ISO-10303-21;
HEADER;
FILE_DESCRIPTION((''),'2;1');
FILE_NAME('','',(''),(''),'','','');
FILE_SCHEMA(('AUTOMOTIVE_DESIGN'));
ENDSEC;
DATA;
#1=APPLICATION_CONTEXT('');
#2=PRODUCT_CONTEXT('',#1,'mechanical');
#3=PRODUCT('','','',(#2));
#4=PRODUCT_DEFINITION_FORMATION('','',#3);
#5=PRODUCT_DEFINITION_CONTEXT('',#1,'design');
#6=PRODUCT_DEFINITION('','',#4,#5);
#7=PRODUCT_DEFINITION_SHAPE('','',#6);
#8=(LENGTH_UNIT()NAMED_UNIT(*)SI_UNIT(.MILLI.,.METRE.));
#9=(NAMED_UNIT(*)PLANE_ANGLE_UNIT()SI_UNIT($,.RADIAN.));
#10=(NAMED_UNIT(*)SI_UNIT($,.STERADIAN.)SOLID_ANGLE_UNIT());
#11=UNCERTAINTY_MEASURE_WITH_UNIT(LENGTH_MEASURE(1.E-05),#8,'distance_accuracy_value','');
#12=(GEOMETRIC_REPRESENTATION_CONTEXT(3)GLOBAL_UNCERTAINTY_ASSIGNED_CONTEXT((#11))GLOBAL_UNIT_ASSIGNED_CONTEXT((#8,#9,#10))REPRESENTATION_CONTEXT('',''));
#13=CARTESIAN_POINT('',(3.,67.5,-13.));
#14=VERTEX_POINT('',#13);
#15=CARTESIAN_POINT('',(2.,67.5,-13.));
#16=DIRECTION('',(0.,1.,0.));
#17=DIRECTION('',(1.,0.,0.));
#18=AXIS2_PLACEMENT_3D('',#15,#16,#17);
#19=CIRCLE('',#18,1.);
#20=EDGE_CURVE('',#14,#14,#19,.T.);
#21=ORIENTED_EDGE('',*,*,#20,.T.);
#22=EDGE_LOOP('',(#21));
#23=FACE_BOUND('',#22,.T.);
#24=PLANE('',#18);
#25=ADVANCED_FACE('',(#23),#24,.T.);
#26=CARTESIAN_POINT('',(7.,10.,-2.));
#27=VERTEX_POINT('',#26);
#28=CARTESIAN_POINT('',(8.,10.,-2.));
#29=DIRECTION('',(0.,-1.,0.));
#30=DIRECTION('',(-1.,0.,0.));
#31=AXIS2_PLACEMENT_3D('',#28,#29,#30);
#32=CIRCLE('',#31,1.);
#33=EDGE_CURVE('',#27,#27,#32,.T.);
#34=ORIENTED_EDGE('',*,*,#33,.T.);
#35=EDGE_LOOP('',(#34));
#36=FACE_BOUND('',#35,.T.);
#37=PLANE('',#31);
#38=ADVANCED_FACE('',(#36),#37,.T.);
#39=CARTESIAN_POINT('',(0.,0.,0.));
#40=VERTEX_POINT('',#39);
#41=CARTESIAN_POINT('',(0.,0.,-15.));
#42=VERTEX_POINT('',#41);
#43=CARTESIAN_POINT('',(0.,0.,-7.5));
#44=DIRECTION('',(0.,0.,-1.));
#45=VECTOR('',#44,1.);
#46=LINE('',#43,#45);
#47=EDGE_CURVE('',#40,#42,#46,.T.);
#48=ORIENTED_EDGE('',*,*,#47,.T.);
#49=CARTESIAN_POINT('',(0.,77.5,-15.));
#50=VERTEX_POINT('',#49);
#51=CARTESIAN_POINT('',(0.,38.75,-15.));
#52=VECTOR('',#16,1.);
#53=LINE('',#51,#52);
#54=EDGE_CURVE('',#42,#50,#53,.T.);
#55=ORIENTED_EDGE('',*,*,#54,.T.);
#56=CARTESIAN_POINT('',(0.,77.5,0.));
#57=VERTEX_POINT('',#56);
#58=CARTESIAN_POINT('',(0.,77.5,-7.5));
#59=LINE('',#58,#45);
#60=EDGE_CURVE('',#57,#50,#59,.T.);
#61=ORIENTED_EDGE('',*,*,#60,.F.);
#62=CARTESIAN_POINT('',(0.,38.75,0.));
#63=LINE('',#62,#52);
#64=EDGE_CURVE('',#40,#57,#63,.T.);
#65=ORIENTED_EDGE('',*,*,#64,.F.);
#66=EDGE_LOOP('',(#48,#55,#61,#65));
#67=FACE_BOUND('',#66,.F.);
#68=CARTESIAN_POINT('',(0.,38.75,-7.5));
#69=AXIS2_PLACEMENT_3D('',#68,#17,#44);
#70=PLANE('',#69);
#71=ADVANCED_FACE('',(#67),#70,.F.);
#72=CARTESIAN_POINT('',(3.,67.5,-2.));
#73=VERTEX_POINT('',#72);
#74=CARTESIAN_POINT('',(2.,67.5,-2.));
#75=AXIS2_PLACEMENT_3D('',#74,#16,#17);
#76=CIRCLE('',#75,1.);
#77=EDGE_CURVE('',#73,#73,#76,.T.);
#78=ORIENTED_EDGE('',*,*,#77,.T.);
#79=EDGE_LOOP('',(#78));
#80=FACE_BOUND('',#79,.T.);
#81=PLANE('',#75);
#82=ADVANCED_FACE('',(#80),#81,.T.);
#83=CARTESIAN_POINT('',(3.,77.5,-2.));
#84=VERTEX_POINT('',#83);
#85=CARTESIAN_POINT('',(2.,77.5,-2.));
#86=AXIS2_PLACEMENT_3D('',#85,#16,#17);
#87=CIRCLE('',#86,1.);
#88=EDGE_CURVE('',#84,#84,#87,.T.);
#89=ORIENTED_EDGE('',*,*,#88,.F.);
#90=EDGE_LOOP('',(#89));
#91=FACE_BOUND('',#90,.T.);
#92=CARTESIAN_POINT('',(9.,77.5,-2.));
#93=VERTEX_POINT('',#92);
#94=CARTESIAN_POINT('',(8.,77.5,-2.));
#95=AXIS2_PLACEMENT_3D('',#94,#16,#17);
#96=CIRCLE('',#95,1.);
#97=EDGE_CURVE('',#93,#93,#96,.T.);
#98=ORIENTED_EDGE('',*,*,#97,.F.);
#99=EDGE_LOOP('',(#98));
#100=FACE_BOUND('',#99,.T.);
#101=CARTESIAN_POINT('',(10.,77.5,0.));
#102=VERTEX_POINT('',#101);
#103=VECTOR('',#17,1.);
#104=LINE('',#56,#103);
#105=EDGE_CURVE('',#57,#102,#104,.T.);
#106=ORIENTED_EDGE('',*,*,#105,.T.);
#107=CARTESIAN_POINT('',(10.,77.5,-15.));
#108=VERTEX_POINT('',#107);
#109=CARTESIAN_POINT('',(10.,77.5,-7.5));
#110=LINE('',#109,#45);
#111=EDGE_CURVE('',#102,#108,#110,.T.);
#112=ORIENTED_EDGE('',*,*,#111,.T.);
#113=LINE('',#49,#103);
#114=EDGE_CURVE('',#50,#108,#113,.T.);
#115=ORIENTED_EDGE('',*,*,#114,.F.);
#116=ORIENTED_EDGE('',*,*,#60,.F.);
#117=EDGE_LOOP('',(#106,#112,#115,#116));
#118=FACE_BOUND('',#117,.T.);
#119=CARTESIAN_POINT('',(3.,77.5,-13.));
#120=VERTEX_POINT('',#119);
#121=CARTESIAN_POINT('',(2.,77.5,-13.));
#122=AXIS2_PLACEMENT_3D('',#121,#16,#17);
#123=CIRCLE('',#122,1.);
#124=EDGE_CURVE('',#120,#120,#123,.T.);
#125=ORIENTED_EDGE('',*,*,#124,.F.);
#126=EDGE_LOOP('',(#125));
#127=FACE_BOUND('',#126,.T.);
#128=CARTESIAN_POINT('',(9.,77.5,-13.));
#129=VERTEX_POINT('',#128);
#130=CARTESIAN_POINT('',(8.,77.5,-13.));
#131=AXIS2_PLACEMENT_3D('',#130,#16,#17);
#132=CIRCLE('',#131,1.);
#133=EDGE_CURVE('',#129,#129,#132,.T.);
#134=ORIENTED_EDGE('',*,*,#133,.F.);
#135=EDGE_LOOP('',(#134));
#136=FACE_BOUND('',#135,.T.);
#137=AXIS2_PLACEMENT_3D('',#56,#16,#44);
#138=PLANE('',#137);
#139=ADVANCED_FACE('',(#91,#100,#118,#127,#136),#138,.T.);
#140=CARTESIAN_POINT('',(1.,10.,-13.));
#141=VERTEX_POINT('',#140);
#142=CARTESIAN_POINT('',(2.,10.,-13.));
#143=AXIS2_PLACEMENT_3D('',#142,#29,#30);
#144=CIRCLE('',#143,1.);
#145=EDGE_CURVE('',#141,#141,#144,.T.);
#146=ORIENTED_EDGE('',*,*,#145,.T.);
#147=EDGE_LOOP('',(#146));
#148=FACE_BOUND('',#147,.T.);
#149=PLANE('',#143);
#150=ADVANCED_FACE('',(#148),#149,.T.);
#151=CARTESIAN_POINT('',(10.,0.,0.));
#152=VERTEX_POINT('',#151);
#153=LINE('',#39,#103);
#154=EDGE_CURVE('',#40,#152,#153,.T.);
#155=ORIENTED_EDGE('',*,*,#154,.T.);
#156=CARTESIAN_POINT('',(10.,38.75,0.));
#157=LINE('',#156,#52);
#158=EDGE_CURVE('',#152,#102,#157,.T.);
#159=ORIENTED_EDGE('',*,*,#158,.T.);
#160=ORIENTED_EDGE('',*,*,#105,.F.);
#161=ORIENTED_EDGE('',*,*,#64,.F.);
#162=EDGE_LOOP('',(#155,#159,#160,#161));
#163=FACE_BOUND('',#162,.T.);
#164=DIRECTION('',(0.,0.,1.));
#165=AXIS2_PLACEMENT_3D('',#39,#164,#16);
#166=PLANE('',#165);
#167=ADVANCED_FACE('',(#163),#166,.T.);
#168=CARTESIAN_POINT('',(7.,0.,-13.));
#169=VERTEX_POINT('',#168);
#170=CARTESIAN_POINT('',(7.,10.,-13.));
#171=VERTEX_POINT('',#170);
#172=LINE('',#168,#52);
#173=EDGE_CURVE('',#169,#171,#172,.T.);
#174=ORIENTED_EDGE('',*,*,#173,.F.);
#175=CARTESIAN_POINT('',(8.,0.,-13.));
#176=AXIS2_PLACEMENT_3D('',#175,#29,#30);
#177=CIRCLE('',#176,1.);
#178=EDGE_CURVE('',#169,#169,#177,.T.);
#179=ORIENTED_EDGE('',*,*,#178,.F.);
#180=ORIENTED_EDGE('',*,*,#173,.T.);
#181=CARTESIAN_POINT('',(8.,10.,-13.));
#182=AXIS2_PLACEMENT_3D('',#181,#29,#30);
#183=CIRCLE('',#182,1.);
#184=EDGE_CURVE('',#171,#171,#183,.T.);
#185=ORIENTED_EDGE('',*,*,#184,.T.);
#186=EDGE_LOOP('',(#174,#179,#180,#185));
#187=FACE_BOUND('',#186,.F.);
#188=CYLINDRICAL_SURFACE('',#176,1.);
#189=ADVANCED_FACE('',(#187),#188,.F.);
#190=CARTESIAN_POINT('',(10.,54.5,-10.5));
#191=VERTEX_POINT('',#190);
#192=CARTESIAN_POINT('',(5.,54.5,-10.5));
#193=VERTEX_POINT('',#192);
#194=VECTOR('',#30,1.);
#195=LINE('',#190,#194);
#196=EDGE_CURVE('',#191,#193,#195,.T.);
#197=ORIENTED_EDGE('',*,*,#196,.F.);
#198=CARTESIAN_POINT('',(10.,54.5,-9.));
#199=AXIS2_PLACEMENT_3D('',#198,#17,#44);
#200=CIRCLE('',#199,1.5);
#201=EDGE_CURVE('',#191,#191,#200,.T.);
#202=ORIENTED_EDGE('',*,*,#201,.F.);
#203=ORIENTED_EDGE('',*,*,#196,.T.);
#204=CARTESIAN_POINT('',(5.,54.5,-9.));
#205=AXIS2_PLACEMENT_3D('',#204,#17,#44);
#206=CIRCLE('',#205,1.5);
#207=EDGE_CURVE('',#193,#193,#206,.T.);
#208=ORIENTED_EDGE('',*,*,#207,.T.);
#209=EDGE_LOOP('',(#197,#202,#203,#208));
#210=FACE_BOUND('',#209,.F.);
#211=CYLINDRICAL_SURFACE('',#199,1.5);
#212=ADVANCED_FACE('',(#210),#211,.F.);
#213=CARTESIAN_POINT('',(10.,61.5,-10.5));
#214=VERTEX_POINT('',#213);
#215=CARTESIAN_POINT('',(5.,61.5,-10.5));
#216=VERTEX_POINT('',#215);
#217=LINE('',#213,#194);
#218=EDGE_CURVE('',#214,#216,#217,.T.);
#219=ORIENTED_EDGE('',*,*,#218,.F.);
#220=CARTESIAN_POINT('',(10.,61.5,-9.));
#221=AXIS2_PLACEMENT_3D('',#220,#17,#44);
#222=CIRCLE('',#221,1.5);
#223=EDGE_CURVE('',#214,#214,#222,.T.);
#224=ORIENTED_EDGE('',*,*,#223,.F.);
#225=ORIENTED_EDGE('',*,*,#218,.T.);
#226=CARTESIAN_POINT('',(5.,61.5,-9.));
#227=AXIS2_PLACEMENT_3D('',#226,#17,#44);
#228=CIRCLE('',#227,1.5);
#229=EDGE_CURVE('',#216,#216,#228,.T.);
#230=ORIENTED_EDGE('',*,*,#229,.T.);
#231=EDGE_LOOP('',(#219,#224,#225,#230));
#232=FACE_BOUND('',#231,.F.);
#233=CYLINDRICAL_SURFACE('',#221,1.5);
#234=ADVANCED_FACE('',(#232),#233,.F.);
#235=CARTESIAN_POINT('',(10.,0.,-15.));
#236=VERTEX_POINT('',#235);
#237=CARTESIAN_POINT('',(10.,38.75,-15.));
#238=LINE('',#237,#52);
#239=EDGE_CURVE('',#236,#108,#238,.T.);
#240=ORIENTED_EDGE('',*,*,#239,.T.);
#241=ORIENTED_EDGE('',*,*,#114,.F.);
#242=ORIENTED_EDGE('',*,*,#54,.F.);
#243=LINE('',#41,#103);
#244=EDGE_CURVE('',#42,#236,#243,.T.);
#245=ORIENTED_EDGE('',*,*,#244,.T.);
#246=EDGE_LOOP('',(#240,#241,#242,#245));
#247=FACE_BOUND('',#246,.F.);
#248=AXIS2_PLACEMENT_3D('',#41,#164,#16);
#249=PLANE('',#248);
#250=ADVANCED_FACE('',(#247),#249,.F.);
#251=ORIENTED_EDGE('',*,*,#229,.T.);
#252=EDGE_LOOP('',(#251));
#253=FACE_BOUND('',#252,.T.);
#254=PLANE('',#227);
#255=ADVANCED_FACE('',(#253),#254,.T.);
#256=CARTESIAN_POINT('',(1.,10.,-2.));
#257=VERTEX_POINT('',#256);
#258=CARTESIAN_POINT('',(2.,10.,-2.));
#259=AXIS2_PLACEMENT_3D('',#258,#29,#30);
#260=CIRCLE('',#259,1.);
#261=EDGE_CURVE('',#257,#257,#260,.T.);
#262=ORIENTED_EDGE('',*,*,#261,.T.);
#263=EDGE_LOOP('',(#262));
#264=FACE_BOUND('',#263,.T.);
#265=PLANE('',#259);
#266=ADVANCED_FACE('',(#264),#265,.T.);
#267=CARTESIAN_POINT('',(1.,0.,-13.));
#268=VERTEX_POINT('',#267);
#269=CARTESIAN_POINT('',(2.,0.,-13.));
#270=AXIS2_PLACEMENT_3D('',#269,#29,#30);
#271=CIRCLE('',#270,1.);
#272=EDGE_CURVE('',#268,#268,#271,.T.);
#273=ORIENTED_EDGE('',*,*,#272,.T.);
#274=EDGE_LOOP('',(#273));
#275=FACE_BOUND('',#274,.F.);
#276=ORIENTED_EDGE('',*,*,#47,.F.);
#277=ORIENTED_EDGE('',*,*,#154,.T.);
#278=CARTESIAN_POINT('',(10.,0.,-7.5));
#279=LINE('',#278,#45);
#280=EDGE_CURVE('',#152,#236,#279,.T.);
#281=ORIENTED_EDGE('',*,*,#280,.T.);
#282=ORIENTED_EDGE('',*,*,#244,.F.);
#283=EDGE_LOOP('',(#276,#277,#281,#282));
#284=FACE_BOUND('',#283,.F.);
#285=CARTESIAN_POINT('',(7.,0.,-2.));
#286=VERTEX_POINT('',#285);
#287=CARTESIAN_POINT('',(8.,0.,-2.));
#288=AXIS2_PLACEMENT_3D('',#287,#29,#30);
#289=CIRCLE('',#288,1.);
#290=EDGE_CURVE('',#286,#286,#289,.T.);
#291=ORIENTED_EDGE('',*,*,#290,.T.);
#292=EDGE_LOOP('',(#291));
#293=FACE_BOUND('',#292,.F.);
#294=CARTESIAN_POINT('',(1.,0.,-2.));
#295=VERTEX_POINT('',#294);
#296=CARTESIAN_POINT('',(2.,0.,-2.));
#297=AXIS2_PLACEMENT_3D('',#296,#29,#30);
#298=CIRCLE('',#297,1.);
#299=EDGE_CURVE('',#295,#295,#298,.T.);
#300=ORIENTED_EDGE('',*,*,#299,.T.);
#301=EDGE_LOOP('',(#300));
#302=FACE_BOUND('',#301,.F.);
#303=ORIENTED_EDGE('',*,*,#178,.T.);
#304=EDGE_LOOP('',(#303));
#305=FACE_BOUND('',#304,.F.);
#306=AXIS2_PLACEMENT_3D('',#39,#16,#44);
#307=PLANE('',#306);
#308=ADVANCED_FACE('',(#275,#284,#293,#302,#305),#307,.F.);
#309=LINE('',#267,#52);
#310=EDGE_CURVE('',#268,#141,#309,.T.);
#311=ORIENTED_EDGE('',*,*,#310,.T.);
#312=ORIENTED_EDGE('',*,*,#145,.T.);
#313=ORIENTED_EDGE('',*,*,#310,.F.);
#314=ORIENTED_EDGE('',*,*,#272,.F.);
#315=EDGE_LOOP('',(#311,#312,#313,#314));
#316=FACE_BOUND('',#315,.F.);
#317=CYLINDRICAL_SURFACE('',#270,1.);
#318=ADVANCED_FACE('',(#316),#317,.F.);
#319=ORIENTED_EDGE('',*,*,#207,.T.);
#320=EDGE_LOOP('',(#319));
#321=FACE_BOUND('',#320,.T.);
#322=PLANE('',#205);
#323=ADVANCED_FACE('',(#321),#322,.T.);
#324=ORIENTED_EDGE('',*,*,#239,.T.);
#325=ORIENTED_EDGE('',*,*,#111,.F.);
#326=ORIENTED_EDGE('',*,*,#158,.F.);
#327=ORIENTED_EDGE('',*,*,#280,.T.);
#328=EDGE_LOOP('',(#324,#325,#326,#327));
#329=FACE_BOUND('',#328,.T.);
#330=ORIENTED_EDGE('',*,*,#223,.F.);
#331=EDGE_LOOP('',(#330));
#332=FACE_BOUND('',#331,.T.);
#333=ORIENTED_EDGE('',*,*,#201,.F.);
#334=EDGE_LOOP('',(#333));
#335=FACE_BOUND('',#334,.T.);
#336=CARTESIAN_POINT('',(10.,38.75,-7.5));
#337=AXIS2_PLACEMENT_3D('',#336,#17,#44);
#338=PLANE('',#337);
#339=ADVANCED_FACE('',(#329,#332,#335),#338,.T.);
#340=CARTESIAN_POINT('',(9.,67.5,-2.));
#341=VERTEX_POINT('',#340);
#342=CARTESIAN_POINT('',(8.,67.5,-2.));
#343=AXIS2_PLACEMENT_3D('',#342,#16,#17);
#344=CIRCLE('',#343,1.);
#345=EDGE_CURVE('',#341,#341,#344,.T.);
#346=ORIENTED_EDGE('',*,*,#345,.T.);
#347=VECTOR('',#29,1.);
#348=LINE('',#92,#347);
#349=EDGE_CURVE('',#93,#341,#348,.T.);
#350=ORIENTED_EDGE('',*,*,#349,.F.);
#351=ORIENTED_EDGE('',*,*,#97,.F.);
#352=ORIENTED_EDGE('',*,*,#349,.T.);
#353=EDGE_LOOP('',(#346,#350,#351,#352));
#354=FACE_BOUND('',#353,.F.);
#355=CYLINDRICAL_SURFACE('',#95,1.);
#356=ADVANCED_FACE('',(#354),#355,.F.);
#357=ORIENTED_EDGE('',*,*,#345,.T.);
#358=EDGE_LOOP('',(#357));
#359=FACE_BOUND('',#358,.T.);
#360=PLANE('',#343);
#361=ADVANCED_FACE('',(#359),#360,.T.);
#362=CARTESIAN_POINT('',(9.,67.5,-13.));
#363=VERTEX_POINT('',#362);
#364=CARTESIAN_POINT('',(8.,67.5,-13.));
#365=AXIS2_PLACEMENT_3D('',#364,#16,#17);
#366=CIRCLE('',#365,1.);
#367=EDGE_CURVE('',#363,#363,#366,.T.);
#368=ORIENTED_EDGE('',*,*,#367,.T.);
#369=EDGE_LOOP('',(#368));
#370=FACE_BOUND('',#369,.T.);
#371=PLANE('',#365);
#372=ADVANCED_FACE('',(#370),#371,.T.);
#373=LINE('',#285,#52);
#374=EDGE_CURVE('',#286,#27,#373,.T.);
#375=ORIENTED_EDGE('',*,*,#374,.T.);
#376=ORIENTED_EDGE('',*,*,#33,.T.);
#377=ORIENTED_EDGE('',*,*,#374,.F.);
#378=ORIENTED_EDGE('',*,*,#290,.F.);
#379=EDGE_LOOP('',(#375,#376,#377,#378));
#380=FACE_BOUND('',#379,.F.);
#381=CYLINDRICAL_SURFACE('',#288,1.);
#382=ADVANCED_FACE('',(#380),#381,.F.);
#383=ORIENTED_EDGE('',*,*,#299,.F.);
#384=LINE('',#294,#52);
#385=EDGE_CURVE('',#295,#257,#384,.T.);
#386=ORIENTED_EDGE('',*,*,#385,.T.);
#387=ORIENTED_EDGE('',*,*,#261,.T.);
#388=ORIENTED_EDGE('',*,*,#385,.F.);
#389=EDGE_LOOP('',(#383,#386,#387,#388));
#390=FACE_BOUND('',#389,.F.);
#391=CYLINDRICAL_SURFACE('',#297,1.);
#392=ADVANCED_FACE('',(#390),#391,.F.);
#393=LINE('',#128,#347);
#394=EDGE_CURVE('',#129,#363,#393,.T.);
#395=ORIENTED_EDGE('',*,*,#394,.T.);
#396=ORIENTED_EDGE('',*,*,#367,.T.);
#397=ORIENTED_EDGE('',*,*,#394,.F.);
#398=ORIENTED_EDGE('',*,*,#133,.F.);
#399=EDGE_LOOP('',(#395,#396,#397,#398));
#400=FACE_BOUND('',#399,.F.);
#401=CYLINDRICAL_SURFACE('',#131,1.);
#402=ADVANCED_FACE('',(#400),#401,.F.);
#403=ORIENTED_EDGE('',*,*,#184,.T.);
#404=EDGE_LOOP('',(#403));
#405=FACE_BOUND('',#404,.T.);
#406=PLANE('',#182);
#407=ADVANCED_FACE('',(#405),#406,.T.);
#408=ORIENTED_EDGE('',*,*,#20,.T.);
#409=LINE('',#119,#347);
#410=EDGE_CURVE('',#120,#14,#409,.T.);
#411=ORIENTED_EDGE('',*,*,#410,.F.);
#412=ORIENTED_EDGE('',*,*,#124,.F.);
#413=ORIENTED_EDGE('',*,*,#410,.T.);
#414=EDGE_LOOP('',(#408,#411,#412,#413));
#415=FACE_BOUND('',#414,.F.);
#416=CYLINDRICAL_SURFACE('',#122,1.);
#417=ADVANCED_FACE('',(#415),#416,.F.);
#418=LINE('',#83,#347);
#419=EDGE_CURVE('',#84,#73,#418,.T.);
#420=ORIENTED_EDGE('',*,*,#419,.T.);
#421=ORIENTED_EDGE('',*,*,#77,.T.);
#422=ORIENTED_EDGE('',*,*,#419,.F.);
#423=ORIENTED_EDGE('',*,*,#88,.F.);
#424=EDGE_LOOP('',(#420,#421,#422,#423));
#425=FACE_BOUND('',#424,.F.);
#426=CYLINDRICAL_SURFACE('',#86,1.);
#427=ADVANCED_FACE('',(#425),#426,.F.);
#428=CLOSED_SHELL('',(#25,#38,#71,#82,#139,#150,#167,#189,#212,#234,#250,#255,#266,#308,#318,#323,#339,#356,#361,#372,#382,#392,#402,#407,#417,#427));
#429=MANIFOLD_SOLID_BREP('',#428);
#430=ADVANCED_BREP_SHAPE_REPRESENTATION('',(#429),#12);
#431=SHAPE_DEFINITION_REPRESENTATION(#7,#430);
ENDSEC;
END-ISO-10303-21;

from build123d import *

# Parameters (mm, degrees)
SKETCH1_W           = 15
SKETCH1_H           = 77.5
BOSS_EXTRUDE1_DEPTH = 10
SKETCH3_R           = 1
CUT_EXTRUDE1_DEPTH  = 10
SKETCH4_R           = 1
CUT_EXTRUDE2_DEPTH  = 10
SKETCH5_R           = 1.5
CUT_EXTRUDE3_DEPTH  = 5


with BuildPart() as part:
    # Sketch1 → Boss-Extrude1 (new body)
    with BuildSketch(Plane(origin=(0, 0, 0), x_dir=(0, 0, -1), z_dir=(1, 0, 0))):
        with Locations((7.5, 38.75)):
            Rectangle(SKETCH1_W, SKETCH1_H)
    extrude(amount=BOSS_EXTRUDE1_DEPTH)

    # Sketch3 → Cut-Extrude1 (cut)
    with BuildSketch(Plane(origin=(0, 77.5, 0), x_dir=(1, 0, 0), z_dir=(0, 1, 0))):
        with Locations((2, 13)):
            Circle(SKETCH3_R)
        with Locations((8, 13)):
            Circle(SKETCH3_R)
        with Locations((8, 2)):
            Circle(SKETCH3_R)
        with Locations((2, 2)):
            Circle(SKETCH3_R)
    extrude(amount=-CUT_EXTRUDE1_DEPTH, mode=Mode.SUBTRACT)

    # Sketch4 → Cut-Extrude2 (cut)
    with BuildSketch(Plane(origin=(0, 0, 0), x_dir=(-1, 0, 0), z_dir=(0, -1, 0))):
        with Locations((-8, 2)):
            Circle(SKETCH4_R)
        with Locations((-8, 13)):
            Circle(SKETCH4_R)
        with Locations((-2, 13)):
            Circle(SKETCH4_R)
        with Locations((-2, 2)):
            Circle(SKETCH4_R)
    extrude(amount=-CUT_EXTRUDE2_DEPTH, mode=Mode.SUBTRACT)

    # Sketch5 → Cut-Extrude3 (cut)
    with BuildSketch(Plane(origin=(10, 0, 0), x_dir=(0, 0, -1), z_dir=(1, 0, 0))):
        with Locations((9, 61.5)):
            Circle(SKETCH5_R)
        with Locations((9, 54.5)):
            Circle(SKETCH5_R)
    extrude(amount=-CUT_EXTRUDE3_DEPTH, mode=Mode.SUBTRACT)


solid = part.part
